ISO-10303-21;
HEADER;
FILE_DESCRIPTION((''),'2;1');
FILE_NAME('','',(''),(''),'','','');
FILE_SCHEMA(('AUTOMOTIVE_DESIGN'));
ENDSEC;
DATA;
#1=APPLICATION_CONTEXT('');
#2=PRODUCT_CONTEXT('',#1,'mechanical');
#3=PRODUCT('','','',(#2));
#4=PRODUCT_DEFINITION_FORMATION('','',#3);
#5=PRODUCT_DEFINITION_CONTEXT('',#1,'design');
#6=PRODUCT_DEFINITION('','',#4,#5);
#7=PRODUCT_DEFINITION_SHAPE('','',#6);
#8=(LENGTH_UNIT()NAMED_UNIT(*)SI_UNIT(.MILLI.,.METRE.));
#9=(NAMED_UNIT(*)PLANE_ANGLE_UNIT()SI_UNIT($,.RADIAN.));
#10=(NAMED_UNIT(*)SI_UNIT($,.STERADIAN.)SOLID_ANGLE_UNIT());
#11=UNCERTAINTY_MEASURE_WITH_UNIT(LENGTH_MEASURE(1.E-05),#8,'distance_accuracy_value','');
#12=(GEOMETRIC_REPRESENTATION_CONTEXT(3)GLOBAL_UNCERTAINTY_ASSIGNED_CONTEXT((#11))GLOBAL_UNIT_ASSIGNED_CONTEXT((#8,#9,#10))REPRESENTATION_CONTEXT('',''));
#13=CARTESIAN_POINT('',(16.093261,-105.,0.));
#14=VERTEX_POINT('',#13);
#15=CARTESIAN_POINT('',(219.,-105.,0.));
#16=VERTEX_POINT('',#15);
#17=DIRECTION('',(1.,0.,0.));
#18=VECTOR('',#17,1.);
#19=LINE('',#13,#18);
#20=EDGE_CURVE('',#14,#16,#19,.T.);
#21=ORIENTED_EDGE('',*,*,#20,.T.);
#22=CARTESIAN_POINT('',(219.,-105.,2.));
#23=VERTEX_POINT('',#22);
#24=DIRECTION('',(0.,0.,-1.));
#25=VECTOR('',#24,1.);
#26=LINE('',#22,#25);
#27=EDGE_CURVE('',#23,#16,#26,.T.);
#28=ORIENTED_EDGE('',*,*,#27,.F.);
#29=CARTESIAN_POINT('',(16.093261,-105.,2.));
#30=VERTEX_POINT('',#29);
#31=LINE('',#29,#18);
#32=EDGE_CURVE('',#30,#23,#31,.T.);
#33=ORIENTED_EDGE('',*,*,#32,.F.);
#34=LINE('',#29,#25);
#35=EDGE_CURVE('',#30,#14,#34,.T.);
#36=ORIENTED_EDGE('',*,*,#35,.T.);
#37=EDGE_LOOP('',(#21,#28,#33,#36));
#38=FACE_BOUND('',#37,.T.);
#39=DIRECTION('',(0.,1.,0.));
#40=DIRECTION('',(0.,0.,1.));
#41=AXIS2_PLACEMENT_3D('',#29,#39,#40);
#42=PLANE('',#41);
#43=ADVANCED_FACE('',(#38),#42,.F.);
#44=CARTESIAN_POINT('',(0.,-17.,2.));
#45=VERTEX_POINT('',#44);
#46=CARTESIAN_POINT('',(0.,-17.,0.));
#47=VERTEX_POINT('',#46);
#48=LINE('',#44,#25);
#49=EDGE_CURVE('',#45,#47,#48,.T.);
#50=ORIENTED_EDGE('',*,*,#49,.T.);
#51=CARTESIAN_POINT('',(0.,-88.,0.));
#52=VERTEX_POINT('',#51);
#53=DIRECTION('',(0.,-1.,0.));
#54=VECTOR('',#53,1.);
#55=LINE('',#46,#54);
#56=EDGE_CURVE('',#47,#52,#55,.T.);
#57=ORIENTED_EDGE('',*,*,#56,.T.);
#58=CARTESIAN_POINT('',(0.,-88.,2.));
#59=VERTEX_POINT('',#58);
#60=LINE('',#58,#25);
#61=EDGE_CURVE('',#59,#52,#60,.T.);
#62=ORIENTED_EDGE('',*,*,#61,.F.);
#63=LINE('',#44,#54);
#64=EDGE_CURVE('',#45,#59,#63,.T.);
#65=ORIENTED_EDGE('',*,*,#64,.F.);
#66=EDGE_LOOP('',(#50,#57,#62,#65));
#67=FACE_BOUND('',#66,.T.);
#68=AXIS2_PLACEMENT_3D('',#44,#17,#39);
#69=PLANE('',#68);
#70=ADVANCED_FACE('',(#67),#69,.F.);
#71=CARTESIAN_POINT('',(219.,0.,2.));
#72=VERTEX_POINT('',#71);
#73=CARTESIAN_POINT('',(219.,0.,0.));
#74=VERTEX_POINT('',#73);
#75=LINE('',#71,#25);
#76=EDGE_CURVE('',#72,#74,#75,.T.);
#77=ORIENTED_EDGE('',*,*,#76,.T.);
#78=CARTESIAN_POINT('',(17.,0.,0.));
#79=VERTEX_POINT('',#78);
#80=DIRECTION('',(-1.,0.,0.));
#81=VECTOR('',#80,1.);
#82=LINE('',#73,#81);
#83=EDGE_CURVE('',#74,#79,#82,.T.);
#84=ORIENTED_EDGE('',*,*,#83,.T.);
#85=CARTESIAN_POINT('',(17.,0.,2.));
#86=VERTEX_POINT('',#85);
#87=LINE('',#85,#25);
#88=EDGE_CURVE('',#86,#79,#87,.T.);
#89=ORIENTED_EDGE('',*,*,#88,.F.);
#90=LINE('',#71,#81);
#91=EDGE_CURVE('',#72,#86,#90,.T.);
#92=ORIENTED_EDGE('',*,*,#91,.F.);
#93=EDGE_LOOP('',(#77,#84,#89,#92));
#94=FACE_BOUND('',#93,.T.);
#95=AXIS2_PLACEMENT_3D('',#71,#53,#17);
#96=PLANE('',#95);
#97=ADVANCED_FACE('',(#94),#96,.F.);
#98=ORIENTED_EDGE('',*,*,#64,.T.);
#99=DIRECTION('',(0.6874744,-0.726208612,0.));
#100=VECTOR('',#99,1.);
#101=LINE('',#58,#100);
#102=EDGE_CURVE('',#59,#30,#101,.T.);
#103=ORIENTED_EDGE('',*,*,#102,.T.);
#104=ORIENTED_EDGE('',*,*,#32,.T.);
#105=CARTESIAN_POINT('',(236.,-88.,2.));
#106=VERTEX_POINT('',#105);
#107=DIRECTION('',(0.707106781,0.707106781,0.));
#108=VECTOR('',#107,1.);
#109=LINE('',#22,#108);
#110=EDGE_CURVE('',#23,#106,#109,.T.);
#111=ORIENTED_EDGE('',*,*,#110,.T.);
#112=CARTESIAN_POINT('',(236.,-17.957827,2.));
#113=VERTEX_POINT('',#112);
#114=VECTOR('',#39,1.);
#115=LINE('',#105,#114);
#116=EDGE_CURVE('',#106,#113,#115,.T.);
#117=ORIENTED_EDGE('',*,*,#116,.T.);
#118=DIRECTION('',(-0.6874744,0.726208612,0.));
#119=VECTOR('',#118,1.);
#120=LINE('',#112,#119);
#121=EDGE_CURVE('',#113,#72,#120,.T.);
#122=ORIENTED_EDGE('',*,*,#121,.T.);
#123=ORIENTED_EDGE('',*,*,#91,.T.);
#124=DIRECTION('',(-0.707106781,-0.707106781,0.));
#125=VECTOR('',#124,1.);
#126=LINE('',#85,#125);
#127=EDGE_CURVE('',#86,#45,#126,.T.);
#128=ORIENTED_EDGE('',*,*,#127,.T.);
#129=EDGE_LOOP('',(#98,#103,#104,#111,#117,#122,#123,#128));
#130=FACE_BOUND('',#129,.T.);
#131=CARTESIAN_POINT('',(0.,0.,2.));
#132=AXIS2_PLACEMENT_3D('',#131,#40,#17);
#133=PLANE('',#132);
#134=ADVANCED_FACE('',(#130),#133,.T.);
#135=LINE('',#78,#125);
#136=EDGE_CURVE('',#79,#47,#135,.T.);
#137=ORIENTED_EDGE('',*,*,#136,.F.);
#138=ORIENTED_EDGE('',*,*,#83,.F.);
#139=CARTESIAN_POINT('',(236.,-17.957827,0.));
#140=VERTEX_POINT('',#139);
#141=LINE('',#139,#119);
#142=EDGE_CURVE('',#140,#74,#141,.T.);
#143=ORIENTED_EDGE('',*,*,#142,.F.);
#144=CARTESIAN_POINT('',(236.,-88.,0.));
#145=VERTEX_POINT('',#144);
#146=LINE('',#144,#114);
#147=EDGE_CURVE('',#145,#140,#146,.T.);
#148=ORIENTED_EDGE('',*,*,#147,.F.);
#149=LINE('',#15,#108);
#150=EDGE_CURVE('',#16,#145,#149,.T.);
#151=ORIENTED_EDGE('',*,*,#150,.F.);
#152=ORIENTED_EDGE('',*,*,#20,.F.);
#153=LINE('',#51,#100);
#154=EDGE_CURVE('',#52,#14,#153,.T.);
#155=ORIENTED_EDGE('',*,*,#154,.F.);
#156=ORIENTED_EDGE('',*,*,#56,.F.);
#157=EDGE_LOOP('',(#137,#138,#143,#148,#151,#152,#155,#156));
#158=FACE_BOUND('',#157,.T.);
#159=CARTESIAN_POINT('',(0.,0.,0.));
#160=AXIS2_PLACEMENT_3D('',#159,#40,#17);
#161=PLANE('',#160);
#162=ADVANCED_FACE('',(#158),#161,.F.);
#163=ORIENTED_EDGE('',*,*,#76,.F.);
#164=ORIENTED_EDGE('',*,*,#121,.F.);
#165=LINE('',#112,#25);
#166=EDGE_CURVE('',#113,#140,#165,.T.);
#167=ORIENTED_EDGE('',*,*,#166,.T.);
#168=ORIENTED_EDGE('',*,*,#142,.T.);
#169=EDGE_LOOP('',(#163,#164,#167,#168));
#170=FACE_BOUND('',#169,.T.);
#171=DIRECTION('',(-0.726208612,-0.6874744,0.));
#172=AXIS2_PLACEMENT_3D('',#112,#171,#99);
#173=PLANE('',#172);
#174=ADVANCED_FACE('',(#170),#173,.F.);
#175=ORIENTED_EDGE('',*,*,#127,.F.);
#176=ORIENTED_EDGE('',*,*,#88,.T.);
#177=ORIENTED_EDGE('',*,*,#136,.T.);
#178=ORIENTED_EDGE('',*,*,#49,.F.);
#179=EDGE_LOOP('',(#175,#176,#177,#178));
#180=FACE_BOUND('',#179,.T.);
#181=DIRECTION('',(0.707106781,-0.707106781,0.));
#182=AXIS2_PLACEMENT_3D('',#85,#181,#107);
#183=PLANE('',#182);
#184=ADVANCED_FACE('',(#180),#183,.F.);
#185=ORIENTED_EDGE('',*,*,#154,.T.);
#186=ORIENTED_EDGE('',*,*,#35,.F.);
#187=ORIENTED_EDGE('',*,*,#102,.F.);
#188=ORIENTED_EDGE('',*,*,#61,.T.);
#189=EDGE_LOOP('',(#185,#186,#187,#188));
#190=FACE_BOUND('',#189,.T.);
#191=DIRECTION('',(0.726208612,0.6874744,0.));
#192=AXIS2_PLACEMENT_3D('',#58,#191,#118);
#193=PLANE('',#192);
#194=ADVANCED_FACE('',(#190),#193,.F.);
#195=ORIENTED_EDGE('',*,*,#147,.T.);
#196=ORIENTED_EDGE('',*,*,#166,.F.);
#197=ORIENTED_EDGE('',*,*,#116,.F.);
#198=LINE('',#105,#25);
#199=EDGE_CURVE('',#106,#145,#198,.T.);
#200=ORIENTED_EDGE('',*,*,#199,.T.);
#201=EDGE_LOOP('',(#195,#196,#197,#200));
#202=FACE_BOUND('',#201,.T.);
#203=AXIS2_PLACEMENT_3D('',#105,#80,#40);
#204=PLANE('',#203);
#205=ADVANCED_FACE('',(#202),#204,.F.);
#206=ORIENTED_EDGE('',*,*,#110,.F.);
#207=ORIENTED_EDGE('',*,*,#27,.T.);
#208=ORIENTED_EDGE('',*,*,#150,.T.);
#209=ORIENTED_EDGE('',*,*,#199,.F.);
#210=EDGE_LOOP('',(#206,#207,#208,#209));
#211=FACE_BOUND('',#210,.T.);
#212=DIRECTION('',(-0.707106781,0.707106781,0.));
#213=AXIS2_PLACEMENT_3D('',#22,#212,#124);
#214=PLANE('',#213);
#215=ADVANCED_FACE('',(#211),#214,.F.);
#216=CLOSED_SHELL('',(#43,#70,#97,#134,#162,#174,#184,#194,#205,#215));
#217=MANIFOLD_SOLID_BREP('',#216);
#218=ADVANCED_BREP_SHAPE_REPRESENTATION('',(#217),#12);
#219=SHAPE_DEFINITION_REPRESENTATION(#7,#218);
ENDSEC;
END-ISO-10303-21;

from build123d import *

# Parameters (mm, degrees)
BOSS_EXTRU_1_DEPTH = 2


with BuildPart() as part:
    # Esquisse1 → Boss.-Extru.1 (new body)
    with BuildSketch(Plane.XY):
        Polygon((0, -17), (0, -88), (16.093261094, -105), (219, -105), (236, -88), (236, -17.957827087), (219, 0), (17, 0), align=None)
    extrude(amount=BOSS_EXTRU_1_DEPTH)


solid = part.part
